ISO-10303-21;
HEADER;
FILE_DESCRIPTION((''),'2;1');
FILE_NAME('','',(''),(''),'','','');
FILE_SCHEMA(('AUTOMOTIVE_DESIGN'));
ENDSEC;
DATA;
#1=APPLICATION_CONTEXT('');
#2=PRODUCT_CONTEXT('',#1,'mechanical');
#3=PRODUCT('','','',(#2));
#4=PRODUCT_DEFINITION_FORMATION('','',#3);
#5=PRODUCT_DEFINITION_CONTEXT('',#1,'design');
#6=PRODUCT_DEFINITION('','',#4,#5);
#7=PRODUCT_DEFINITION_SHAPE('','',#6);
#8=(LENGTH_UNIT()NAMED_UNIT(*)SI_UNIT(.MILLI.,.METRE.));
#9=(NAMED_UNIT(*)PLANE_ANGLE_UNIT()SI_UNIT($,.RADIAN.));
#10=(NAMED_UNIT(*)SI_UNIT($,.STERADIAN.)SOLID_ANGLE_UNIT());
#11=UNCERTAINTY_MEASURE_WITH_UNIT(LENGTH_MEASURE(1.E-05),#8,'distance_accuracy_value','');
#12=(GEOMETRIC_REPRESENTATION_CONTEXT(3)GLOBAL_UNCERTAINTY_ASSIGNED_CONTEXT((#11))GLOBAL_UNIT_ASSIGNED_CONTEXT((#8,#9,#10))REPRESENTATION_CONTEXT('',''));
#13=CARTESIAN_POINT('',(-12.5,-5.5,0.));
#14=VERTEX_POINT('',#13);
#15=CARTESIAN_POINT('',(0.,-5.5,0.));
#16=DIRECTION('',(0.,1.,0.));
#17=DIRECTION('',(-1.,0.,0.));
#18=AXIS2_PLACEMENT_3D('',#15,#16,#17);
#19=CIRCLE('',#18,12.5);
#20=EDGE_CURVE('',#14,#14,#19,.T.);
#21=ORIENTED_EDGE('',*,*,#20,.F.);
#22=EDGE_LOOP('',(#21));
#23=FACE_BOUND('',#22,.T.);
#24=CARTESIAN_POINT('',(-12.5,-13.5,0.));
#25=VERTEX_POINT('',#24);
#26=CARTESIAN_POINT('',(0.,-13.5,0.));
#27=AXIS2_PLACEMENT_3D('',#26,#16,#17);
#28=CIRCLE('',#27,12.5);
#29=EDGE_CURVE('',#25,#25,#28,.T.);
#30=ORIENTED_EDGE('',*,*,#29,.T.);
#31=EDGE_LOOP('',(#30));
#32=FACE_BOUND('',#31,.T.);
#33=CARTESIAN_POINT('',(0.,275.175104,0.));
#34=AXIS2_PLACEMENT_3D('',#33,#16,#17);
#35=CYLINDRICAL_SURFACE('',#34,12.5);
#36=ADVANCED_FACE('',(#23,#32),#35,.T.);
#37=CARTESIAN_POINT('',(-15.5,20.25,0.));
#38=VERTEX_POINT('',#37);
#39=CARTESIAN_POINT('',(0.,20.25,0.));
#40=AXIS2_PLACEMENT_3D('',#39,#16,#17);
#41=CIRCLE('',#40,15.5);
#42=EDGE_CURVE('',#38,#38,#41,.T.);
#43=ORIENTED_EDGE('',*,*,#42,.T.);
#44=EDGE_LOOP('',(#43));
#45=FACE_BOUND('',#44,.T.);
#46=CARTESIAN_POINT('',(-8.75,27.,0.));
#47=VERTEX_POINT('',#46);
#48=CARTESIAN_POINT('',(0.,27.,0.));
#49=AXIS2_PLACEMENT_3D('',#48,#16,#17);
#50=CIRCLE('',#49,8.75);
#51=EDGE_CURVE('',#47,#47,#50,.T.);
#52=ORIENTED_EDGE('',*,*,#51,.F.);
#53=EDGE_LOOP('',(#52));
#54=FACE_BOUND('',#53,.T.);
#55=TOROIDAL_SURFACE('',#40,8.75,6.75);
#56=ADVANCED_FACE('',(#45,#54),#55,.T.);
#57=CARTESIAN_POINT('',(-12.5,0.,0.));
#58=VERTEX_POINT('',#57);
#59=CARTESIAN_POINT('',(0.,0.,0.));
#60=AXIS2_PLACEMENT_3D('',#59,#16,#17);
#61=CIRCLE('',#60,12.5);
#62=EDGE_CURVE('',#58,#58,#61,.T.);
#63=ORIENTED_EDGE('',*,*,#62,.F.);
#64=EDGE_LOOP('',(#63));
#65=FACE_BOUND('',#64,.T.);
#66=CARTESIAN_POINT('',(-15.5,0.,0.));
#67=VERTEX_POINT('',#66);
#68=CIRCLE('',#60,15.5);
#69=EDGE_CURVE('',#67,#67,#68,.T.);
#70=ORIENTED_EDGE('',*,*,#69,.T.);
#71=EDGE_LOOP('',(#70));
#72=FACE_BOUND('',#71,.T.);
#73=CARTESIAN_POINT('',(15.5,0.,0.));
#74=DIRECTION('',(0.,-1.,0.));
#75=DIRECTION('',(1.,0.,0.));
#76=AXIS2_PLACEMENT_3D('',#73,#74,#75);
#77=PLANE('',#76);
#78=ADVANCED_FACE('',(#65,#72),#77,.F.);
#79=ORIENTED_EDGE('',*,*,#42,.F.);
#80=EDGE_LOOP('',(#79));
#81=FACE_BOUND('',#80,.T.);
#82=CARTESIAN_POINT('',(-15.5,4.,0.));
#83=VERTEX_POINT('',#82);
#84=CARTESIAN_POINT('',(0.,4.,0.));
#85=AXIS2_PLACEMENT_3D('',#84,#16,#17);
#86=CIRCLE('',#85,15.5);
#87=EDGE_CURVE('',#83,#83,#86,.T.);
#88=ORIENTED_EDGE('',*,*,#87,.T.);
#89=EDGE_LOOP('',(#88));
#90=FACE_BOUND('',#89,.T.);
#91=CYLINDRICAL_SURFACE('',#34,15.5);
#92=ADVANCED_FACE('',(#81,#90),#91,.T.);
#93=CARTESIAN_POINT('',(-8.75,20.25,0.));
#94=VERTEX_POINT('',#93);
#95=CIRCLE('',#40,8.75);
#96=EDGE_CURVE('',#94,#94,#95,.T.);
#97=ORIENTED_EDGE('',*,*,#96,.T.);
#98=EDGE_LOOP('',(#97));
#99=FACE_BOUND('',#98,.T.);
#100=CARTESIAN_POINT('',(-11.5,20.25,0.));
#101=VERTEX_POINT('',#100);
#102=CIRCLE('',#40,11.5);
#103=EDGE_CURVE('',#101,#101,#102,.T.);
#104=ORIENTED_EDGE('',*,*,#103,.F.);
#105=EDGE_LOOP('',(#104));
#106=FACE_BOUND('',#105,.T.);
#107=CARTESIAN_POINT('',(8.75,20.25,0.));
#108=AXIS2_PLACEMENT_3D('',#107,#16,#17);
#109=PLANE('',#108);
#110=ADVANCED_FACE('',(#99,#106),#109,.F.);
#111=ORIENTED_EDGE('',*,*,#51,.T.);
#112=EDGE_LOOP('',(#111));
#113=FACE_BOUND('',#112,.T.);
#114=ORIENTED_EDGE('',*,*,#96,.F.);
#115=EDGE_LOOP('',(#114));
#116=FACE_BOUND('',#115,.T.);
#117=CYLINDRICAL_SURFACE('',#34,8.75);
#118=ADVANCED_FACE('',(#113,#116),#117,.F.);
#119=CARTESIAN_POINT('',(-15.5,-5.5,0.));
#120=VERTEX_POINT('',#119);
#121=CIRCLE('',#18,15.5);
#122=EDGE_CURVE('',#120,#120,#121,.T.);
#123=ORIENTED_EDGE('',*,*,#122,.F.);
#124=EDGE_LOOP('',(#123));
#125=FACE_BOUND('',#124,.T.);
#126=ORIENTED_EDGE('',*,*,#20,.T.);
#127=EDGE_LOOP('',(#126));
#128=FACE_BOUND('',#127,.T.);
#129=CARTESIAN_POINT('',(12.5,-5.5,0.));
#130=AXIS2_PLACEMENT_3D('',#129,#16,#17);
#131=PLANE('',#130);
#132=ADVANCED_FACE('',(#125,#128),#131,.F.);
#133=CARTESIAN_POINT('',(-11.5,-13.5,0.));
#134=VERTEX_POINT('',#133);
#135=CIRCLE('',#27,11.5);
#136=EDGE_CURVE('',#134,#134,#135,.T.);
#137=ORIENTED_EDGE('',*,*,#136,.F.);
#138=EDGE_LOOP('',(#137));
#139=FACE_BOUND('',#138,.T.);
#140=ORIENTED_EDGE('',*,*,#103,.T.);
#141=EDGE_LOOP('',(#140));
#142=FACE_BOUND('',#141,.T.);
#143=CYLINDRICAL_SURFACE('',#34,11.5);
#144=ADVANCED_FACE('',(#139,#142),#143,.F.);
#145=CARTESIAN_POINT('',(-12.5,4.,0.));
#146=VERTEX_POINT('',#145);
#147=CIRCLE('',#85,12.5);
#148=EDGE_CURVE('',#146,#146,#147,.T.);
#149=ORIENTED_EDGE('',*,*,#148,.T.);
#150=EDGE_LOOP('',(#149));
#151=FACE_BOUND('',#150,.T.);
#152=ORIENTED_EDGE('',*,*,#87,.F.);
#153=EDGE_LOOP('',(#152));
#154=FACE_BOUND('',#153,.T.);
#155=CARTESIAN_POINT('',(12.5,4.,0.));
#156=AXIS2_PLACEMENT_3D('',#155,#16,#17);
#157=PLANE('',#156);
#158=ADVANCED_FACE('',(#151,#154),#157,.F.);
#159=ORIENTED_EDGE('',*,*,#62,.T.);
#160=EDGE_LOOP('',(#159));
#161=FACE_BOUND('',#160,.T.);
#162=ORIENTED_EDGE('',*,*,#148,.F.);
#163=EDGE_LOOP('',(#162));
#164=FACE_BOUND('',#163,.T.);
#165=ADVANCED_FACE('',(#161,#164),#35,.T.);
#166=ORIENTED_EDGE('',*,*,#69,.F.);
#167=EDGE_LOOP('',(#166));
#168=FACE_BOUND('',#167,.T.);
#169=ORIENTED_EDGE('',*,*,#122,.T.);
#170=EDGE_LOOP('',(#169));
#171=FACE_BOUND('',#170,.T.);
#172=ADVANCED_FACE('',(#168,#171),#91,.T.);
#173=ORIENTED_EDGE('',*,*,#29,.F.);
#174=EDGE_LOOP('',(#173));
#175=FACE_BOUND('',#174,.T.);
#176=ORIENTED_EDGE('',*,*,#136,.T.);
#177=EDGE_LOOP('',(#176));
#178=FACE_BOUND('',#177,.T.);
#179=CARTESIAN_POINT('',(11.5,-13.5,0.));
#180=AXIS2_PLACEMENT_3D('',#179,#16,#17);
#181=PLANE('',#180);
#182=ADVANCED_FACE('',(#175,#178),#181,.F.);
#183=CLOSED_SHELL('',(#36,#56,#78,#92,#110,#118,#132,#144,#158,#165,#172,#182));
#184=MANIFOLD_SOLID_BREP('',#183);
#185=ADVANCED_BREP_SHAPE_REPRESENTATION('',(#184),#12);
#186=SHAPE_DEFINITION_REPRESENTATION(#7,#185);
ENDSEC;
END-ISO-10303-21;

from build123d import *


with BuildPart() as part:
    # Skizze2 → Rotation1 (revolve)
    with BuildSketch(Plane.XY):
        with BuildLine():
            Line((8.75, 20.25), (11.5, 20.25))
            Line((11.5, 20.25), (11.5, -13.5))
            Line((11.5, -13.5), (12.5, -13.5))
            Line((12.5, -13.5), (12.5, -5.5))
            Line((12.5, -5.5), (15.5, -5.5))
            Line((15.5, -5.5), (15.5, 0))
            Line((15.5, 0), (12.5, 0))
            Line((12.5, 0), (12.5, 4))
            Line((12.5, 4), (15.5, 4))
            Line((15.5, 4), (15.5, 20.25))
            ThreePointArc((15.5, 20.25), (13.522970773, 25.022970773), (8.75, 27))
            Line((8.75, 27), (8.75, 20.25))
        make_face()
    revolve(axis=Axis((0, 275.175103998, 0), (0, -1, 0)))


solid = part.part
